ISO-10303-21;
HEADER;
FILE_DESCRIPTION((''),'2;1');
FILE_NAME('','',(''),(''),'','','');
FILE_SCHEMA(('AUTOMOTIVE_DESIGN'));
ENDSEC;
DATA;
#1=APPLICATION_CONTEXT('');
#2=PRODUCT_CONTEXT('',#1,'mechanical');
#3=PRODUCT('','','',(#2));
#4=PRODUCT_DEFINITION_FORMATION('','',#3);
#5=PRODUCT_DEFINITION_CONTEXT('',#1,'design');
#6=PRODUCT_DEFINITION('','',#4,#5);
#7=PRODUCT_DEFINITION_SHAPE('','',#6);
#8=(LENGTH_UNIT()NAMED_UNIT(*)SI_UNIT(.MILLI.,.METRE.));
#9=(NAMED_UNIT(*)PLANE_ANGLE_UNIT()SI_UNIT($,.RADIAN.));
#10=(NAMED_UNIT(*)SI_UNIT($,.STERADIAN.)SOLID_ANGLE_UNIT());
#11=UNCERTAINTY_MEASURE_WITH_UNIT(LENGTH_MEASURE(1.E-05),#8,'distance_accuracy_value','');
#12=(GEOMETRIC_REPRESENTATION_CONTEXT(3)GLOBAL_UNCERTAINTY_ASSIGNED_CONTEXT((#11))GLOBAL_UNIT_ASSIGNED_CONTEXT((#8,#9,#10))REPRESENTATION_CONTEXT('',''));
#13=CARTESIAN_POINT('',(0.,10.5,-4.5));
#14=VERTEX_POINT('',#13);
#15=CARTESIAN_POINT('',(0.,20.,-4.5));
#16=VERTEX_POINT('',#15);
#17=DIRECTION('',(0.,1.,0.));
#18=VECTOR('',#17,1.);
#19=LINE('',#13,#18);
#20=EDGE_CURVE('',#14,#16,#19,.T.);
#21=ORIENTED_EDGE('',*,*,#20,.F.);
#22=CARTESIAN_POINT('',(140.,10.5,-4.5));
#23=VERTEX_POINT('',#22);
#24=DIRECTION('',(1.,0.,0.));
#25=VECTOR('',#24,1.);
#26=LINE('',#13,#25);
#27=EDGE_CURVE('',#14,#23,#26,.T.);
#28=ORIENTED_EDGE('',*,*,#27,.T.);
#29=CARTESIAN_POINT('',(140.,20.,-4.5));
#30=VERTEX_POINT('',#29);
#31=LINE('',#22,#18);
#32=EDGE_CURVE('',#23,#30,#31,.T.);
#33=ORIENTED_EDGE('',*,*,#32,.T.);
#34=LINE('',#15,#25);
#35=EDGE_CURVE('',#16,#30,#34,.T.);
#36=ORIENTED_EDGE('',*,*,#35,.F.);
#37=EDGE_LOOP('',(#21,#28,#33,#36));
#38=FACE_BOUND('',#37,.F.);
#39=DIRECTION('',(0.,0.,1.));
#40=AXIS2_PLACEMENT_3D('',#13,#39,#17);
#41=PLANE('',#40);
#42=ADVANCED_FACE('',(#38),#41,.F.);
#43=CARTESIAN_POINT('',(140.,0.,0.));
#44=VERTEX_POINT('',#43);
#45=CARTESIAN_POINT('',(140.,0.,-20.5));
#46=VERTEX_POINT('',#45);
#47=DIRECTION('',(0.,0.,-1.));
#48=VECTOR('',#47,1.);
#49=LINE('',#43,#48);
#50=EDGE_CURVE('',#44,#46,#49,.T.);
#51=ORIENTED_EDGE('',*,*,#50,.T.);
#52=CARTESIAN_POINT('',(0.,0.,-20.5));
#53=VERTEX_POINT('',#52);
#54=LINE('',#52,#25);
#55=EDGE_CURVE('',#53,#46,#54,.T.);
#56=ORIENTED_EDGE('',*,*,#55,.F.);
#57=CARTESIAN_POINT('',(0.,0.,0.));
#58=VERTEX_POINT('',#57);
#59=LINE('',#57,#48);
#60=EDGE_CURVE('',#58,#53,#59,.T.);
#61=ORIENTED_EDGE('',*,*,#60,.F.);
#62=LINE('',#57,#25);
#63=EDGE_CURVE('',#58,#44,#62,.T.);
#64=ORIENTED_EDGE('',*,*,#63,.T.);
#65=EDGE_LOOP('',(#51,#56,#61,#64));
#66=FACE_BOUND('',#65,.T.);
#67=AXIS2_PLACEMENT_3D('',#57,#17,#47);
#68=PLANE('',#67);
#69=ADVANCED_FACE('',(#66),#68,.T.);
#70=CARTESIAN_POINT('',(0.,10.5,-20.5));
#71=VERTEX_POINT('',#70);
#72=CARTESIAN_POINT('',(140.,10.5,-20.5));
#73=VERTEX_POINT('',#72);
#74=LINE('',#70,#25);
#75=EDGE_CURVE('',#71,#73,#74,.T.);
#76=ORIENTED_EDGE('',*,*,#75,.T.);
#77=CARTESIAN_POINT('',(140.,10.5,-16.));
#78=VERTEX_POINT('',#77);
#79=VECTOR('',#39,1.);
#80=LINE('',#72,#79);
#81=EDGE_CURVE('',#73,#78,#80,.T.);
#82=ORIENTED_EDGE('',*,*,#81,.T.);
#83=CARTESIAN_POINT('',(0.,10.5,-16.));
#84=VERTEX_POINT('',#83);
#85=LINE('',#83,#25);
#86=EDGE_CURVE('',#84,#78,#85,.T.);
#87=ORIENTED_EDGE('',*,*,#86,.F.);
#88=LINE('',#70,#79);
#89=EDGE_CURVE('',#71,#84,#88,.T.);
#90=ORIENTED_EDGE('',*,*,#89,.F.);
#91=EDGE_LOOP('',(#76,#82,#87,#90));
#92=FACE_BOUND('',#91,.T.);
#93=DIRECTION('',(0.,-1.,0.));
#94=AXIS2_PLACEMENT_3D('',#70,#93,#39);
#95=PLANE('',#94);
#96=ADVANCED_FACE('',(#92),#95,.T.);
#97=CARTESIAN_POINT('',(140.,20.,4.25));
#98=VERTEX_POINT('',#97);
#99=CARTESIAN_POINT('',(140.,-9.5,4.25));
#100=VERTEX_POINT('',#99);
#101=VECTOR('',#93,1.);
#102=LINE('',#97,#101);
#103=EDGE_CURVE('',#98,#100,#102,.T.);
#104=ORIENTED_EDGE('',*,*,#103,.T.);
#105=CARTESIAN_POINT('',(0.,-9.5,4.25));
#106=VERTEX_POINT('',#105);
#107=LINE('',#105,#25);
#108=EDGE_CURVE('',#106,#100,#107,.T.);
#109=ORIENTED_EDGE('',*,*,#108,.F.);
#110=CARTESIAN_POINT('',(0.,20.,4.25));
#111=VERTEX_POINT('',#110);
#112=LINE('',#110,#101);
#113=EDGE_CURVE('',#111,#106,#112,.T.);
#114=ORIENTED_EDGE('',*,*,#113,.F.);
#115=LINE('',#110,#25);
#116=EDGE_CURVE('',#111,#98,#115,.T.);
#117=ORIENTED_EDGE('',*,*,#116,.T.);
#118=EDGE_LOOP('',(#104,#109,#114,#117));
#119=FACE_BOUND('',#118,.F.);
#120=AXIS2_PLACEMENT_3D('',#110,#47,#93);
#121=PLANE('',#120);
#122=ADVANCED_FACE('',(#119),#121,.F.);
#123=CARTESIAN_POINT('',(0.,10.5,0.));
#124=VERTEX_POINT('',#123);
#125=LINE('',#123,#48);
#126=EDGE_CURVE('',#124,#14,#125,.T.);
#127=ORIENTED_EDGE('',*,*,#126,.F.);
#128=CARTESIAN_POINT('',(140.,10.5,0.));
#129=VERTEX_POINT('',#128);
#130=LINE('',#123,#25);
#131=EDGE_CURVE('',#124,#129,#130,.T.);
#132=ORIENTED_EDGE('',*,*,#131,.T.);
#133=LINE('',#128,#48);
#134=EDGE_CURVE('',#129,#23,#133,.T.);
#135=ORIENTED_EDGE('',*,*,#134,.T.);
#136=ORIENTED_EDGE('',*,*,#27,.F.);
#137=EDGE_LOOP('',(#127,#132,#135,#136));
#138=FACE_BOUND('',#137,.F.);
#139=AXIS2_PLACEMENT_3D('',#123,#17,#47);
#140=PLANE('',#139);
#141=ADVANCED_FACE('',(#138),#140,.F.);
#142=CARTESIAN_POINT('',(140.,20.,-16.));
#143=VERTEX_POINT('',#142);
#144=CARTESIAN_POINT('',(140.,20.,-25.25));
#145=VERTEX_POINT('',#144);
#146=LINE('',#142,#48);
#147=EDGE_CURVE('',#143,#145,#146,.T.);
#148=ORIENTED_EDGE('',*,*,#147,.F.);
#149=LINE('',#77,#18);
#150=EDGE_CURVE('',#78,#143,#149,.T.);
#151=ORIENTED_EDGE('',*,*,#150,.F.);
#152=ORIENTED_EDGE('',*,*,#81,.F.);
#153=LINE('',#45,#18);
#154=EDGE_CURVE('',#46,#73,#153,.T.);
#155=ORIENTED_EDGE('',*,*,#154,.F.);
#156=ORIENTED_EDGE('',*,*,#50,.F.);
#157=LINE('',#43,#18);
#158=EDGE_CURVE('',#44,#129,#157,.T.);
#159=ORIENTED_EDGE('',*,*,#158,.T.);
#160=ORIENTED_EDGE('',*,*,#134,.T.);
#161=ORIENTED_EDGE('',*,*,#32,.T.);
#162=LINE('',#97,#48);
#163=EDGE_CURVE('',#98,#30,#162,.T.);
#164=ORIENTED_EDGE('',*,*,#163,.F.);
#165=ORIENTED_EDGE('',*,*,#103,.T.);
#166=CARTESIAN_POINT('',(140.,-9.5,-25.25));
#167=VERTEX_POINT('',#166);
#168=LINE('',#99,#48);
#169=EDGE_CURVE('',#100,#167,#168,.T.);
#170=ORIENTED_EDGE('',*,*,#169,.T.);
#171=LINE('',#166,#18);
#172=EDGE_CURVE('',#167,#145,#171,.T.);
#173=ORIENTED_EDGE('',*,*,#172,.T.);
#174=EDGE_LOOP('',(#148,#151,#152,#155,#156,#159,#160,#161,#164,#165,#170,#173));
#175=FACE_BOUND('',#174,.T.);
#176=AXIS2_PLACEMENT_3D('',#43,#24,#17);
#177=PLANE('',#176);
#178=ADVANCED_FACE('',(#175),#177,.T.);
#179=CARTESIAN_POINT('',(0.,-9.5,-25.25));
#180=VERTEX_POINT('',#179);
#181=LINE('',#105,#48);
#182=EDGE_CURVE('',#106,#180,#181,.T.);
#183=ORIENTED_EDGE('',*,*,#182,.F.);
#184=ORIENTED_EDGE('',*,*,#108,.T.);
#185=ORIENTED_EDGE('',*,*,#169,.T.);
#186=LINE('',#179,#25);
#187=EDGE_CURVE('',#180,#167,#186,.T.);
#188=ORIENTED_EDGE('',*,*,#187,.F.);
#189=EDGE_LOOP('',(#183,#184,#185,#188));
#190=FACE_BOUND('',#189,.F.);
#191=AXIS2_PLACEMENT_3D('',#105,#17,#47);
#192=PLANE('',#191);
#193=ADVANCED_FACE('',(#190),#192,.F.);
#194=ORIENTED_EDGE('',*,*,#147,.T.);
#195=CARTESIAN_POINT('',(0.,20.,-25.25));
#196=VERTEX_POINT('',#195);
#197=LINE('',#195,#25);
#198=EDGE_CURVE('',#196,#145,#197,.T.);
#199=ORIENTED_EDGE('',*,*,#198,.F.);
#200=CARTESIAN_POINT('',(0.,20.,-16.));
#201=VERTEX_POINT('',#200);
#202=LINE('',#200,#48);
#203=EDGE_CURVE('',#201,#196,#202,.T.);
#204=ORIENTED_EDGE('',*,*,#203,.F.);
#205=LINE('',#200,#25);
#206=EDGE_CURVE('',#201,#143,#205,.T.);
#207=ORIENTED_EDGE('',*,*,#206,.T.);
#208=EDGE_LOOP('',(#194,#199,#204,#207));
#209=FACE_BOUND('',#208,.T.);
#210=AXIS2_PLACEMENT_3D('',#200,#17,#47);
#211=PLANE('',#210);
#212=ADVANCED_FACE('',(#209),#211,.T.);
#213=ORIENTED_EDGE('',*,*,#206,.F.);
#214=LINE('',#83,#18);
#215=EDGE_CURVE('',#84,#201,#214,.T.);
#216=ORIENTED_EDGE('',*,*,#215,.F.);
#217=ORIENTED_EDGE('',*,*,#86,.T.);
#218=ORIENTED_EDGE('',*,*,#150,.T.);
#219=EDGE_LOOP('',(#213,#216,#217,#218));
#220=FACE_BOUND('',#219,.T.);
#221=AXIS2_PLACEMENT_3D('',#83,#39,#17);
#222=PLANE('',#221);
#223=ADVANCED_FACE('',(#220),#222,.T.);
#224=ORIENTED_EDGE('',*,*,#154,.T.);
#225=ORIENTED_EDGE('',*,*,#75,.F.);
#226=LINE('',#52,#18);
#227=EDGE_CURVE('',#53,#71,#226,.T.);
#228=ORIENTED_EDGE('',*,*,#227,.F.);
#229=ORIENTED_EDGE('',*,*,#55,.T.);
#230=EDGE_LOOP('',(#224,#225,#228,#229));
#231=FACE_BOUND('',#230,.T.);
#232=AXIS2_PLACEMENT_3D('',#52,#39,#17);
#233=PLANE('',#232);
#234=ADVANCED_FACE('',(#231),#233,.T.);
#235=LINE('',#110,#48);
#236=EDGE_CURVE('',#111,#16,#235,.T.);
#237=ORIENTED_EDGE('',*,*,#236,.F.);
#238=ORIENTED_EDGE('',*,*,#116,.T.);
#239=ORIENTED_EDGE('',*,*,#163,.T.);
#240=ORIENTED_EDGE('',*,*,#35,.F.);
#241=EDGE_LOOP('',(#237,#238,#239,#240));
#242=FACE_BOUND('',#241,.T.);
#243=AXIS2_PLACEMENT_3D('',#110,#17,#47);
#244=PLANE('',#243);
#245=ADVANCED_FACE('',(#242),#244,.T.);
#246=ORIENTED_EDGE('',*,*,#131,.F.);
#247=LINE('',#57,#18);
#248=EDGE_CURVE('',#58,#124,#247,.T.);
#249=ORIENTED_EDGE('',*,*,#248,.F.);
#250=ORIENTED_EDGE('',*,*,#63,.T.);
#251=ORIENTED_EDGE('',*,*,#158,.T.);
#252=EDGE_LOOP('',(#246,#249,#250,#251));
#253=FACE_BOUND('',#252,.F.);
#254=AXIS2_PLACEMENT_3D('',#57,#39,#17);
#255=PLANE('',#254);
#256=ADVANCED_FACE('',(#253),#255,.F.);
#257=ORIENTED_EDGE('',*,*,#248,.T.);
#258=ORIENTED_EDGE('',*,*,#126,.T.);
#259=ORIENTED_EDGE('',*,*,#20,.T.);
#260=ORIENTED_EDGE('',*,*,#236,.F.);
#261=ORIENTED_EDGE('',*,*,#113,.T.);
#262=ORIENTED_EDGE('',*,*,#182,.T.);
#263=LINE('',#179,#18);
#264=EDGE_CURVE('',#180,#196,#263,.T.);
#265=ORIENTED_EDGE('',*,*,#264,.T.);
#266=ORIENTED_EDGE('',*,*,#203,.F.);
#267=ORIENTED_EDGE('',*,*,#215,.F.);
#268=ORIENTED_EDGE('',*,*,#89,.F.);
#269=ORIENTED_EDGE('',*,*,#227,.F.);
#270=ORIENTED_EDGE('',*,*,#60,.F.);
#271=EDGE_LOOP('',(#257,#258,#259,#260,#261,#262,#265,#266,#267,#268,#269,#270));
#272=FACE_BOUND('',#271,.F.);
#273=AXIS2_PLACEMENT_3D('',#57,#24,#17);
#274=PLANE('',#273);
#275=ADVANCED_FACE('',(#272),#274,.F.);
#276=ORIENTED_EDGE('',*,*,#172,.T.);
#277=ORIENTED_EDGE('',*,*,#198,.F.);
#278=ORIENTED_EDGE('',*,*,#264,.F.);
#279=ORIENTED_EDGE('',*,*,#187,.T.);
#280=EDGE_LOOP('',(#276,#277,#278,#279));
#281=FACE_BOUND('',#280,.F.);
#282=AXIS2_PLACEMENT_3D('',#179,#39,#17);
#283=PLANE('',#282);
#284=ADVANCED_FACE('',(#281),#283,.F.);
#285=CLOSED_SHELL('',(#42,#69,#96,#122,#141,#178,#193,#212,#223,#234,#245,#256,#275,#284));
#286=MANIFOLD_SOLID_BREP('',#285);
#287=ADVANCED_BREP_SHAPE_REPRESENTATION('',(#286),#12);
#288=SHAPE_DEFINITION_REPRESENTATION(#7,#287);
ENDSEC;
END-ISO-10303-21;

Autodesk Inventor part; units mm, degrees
ref_plane "YZ Plane" through (0, 0, 0) normal (1, 0, 0) x (0, 1, 0)
ref_plane "XZ Plane" through (0, 0, 0) normal (0, 1, 0) x (-1, 0, 0)
ref_plane "XY Plane" through (0, 0, 0) normal (0, 0, 1) x (1, 0, 0)
sketch "Boceto1" plane through (0, 0, 0) normal (1, 0, 0) x (0, 1, 0)
  line L0 (0, 0) -> (0, -20.5)
  line L1 (0, -20.5) -> (10.5, -20.5)
  line L2 (10.5, -20.5) -> (10.5, -16)
  line L3 (10.5, -16) -> (20, -16)
  line L4 (0, 0) -> (10.5, 0)
  line L5 (10.5, 0) -> (10.5, -4.5)
  line L6 (10.5, -4.5) -> (20, -4.5)
  line L7 (20, 4.25) -> (-9.5, 4.25)
  line L8 (-9.5, 4.25) -> (-9.5, -25.25)
  line L9 (-9.5, -25.25) -> (20, -25.25)
  line L10 (20, 4.25) -> (20, -4.5)
  line L11 (20, -16) -> (20, -25.25)
extrude "Extrusión1" add sketch "Boceto1" along normal blind 140
properties part number "SOPORTE FINAL"
